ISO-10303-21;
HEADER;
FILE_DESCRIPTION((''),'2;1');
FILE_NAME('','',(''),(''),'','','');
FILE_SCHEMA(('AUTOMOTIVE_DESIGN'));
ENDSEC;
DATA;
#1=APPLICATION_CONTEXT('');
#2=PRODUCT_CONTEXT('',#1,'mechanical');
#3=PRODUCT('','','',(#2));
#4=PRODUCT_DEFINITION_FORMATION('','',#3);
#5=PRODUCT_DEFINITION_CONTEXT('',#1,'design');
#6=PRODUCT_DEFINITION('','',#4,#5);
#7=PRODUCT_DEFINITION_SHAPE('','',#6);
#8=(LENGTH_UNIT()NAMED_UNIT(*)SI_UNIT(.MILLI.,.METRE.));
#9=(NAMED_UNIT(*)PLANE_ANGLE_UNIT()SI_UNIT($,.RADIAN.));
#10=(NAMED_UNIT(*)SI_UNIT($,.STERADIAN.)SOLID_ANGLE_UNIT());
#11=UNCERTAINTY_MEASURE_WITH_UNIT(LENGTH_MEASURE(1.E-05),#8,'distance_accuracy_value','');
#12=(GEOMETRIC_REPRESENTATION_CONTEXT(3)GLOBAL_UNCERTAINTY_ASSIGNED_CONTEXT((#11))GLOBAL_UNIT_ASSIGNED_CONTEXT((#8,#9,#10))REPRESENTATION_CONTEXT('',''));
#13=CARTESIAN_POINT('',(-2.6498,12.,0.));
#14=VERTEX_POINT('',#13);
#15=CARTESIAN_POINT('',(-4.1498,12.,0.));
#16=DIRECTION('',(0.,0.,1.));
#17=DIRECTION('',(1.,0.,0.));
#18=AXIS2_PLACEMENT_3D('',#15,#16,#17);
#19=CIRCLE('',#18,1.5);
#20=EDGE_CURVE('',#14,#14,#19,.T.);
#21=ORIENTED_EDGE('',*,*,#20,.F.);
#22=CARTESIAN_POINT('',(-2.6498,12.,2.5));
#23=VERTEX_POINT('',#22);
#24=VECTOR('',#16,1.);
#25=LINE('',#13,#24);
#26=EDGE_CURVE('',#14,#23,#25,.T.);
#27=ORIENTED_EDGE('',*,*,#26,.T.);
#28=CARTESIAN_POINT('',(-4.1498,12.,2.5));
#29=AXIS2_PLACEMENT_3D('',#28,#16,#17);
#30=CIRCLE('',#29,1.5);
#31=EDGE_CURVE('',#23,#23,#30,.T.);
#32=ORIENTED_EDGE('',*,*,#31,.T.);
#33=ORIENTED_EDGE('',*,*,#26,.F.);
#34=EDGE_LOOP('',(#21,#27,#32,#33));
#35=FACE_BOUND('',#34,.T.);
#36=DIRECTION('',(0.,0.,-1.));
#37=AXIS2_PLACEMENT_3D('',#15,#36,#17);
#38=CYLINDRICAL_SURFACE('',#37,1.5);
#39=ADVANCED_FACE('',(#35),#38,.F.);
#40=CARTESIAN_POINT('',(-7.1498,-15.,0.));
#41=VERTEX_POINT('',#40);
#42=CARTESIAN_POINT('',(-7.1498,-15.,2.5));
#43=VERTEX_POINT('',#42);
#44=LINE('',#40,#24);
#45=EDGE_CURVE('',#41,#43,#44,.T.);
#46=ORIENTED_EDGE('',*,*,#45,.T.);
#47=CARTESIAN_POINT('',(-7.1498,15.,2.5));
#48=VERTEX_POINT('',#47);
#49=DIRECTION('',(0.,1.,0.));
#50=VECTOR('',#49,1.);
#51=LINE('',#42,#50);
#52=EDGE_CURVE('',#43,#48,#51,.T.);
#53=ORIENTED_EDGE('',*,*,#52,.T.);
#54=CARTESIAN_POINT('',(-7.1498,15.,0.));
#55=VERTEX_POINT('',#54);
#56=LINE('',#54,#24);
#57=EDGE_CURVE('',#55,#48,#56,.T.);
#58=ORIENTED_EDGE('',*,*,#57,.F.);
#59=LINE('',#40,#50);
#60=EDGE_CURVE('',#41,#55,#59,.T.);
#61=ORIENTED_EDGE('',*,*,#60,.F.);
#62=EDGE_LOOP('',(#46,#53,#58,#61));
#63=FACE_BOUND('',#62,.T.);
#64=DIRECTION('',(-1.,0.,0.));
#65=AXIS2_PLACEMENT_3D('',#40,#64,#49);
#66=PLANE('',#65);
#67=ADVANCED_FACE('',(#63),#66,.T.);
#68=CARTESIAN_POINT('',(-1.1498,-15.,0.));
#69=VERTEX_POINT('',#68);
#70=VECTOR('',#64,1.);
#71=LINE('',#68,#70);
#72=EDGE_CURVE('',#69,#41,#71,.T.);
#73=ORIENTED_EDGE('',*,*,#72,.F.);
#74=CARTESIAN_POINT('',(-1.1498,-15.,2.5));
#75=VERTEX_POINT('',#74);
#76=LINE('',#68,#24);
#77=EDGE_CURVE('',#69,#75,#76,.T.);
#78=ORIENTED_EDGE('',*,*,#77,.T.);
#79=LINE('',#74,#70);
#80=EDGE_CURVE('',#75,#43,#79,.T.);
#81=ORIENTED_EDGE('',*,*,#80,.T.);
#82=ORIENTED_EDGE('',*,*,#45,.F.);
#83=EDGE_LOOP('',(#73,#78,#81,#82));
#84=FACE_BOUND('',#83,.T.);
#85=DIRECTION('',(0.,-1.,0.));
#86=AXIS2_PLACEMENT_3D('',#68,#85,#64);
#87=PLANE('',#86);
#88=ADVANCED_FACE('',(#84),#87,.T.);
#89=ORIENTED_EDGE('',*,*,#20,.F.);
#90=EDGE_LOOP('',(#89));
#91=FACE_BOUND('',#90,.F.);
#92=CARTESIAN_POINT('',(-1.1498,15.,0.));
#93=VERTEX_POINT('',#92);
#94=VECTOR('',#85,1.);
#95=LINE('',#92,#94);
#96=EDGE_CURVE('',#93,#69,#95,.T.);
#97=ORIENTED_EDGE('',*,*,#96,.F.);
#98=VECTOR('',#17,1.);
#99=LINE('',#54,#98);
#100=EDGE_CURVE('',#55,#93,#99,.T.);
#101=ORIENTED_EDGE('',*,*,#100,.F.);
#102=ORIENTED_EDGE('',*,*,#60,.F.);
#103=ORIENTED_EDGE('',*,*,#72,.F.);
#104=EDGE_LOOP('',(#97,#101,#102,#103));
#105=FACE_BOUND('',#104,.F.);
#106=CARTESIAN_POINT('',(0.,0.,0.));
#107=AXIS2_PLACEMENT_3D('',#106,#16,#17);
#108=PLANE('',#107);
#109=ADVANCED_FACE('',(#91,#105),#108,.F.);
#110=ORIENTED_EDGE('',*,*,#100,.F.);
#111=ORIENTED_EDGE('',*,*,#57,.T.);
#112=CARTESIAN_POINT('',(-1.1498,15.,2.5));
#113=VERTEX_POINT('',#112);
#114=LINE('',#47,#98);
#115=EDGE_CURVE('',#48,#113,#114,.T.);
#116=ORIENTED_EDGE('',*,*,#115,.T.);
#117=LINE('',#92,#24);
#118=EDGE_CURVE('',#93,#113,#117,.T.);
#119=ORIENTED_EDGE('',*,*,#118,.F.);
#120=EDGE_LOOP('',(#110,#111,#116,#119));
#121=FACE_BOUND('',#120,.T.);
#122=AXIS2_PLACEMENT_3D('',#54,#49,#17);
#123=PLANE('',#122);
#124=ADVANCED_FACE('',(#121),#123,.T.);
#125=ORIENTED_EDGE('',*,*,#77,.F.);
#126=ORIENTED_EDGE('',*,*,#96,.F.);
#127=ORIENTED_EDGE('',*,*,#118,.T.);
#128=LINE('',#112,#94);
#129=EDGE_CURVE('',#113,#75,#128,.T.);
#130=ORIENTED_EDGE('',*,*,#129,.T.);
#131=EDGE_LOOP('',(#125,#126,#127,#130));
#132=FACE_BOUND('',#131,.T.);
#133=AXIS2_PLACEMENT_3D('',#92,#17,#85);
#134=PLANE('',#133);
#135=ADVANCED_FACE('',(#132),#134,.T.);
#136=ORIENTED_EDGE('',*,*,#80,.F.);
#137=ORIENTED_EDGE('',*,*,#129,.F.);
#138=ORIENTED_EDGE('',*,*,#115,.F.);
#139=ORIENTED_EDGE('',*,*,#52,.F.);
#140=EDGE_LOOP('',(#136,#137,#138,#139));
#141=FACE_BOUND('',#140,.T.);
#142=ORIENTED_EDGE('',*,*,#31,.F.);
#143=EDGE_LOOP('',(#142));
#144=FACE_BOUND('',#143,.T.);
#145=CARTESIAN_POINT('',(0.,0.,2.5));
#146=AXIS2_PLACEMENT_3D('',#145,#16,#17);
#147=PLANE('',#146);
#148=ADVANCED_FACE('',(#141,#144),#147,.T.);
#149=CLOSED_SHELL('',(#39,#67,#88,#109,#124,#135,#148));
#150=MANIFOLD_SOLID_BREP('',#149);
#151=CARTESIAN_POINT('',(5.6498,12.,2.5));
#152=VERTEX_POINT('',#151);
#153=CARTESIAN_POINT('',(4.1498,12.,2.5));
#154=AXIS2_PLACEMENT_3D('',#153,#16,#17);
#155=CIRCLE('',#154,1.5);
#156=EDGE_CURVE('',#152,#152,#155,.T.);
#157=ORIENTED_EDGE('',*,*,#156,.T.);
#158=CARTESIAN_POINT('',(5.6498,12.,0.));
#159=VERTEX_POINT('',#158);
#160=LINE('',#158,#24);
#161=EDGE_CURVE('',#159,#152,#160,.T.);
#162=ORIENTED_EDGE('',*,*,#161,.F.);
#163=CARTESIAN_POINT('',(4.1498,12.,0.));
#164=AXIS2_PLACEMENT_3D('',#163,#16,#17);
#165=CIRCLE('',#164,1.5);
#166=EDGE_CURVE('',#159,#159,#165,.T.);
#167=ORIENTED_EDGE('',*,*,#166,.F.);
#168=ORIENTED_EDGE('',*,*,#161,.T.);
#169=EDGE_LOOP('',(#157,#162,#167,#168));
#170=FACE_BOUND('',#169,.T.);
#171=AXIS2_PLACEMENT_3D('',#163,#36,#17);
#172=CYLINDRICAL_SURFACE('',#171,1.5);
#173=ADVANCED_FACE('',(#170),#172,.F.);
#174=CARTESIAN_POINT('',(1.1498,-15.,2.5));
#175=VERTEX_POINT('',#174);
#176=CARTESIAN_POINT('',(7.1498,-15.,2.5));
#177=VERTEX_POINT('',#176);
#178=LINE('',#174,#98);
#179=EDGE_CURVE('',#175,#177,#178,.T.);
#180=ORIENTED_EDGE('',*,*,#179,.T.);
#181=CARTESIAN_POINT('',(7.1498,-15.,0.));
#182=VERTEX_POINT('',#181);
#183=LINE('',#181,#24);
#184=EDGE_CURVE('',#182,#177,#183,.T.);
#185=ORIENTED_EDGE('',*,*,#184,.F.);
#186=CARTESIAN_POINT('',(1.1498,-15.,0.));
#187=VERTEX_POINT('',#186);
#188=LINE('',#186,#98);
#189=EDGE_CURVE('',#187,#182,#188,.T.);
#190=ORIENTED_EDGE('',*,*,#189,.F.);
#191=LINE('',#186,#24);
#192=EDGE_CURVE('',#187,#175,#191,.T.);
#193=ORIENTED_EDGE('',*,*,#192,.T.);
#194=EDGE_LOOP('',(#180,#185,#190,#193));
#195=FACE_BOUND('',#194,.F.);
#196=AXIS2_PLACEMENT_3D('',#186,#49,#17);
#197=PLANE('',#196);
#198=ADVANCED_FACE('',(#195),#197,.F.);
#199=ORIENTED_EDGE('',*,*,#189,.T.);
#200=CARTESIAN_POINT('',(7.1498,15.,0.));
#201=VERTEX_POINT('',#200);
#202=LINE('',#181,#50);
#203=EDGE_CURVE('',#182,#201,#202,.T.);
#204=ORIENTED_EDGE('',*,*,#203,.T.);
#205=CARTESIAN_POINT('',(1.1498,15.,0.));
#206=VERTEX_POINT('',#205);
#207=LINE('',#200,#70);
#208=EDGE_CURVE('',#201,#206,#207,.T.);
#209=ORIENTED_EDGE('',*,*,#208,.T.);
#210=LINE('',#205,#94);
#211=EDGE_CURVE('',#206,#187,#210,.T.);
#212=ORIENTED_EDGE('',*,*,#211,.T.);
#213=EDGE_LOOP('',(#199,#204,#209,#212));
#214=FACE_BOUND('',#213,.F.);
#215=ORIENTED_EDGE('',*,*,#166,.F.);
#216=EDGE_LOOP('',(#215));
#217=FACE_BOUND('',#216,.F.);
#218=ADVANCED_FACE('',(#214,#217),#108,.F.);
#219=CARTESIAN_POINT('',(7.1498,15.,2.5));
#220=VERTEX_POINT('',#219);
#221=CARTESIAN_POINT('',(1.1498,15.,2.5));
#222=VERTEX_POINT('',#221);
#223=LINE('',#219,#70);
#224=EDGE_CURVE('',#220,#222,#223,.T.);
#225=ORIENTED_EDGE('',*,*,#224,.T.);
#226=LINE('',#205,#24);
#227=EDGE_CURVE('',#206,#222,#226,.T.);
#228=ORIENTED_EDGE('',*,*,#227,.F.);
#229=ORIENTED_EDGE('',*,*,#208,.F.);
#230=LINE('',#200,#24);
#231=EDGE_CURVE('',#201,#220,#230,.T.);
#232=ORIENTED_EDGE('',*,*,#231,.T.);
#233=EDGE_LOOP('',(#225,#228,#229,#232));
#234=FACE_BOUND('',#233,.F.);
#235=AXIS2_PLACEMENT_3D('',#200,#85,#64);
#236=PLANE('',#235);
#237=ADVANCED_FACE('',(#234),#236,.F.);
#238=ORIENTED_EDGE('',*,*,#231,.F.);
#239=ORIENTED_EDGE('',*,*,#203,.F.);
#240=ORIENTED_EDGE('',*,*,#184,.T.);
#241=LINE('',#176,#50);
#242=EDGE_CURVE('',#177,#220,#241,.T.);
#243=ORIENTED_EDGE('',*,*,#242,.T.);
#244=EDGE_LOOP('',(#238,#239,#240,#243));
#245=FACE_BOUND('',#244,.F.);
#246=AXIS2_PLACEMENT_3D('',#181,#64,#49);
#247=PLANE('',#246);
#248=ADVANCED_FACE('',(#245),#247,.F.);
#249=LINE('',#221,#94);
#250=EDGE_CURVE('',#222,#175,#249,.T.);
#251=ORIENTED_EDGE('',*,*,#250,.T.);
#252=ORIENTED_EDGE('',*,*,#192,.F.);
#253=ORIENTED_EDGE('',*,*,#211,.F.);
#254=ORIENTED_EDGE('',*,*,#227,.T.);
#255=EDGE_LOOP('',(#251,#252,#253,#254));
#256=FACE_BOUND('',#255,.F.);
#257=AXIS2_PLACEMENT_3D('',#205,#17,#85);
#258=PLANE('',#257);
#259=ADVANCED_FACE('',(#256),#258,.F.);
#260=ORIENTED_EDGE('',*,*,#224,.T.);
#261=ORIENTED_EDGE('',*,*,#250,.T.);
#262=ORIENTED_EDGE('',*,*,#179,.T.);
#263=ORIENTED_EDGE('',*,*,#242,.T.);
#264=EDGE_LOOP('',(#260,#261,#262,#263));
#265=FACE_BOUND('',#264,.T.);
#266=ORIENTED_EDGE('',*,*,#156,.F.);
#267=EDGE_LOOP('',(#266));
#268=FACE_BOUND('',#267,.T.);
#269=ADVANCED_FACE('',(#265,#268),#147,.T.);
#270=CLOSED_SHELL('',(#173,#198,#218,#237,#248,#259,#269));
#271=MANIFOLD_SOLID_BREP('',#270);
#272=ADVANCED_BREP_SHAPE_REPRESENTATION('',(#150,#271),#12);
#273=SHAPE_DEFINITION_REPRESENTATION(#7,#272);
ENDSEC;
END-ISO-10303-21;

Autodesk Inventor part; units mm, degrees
ref_plane "YZ Plane" through (0, 0, 0) normal (1, 0, 0) x (0, 1, 0)
ref_plane "XZ Plane" through (0, 0, 0) normal (0, 1, 0) x (-1, 0, 0)
ref_plane "XY Plane" through (0, 0, 0) normal (0, 0, 1) x (1, 0, 0)
sketch "Sketch1" plane through (0, 0, 0) normal (0, 0, 1) x (1, 0, 0)
  line L0 (-10.0097, 0) -> (10.0097, 0) construction
  line L1 (0, -21) -> (0, 21) construction
  line L2 (-7.1498, 15) -> (-1.1498, 15)
  line L3 (-1.1498, 15) -> (-1.1498, -15)
  line L4 (-1.1498, -15) -> (-7.1498, -15)
  line L5 (-7.1498, -15) -> (-7.1498, 15)
  circle A0 centre (-4.1498, 12) radius 1.5
  line L6 (-4.1498, 15) -> (-4.1498, -15) construction
  line L7 (7.1498, 15) -> (1.1498, 15)
  line L8 (1.1498, 15) -> (1.1498, -15)
  line L9 (1.1498, -15) -> (7.1498, -15)
  line L10 (7.1498, -15) -> (7.1498, 15)
  circle A1 centre (4.1498, 12) radius 1.5
  line L11 (4.1498, 15) -> (4.1498, -15) construction
  point P0 (0, 0)
  dimension "d0" = 6
  dimension "d1" = 3
  dimension "d2" = 3
  dimension "d3" = 30
extrude "Extrusion1" add sketch "Sketch1" along normal blind 2.5
properties part number "LC_sample_holder_clamp"
